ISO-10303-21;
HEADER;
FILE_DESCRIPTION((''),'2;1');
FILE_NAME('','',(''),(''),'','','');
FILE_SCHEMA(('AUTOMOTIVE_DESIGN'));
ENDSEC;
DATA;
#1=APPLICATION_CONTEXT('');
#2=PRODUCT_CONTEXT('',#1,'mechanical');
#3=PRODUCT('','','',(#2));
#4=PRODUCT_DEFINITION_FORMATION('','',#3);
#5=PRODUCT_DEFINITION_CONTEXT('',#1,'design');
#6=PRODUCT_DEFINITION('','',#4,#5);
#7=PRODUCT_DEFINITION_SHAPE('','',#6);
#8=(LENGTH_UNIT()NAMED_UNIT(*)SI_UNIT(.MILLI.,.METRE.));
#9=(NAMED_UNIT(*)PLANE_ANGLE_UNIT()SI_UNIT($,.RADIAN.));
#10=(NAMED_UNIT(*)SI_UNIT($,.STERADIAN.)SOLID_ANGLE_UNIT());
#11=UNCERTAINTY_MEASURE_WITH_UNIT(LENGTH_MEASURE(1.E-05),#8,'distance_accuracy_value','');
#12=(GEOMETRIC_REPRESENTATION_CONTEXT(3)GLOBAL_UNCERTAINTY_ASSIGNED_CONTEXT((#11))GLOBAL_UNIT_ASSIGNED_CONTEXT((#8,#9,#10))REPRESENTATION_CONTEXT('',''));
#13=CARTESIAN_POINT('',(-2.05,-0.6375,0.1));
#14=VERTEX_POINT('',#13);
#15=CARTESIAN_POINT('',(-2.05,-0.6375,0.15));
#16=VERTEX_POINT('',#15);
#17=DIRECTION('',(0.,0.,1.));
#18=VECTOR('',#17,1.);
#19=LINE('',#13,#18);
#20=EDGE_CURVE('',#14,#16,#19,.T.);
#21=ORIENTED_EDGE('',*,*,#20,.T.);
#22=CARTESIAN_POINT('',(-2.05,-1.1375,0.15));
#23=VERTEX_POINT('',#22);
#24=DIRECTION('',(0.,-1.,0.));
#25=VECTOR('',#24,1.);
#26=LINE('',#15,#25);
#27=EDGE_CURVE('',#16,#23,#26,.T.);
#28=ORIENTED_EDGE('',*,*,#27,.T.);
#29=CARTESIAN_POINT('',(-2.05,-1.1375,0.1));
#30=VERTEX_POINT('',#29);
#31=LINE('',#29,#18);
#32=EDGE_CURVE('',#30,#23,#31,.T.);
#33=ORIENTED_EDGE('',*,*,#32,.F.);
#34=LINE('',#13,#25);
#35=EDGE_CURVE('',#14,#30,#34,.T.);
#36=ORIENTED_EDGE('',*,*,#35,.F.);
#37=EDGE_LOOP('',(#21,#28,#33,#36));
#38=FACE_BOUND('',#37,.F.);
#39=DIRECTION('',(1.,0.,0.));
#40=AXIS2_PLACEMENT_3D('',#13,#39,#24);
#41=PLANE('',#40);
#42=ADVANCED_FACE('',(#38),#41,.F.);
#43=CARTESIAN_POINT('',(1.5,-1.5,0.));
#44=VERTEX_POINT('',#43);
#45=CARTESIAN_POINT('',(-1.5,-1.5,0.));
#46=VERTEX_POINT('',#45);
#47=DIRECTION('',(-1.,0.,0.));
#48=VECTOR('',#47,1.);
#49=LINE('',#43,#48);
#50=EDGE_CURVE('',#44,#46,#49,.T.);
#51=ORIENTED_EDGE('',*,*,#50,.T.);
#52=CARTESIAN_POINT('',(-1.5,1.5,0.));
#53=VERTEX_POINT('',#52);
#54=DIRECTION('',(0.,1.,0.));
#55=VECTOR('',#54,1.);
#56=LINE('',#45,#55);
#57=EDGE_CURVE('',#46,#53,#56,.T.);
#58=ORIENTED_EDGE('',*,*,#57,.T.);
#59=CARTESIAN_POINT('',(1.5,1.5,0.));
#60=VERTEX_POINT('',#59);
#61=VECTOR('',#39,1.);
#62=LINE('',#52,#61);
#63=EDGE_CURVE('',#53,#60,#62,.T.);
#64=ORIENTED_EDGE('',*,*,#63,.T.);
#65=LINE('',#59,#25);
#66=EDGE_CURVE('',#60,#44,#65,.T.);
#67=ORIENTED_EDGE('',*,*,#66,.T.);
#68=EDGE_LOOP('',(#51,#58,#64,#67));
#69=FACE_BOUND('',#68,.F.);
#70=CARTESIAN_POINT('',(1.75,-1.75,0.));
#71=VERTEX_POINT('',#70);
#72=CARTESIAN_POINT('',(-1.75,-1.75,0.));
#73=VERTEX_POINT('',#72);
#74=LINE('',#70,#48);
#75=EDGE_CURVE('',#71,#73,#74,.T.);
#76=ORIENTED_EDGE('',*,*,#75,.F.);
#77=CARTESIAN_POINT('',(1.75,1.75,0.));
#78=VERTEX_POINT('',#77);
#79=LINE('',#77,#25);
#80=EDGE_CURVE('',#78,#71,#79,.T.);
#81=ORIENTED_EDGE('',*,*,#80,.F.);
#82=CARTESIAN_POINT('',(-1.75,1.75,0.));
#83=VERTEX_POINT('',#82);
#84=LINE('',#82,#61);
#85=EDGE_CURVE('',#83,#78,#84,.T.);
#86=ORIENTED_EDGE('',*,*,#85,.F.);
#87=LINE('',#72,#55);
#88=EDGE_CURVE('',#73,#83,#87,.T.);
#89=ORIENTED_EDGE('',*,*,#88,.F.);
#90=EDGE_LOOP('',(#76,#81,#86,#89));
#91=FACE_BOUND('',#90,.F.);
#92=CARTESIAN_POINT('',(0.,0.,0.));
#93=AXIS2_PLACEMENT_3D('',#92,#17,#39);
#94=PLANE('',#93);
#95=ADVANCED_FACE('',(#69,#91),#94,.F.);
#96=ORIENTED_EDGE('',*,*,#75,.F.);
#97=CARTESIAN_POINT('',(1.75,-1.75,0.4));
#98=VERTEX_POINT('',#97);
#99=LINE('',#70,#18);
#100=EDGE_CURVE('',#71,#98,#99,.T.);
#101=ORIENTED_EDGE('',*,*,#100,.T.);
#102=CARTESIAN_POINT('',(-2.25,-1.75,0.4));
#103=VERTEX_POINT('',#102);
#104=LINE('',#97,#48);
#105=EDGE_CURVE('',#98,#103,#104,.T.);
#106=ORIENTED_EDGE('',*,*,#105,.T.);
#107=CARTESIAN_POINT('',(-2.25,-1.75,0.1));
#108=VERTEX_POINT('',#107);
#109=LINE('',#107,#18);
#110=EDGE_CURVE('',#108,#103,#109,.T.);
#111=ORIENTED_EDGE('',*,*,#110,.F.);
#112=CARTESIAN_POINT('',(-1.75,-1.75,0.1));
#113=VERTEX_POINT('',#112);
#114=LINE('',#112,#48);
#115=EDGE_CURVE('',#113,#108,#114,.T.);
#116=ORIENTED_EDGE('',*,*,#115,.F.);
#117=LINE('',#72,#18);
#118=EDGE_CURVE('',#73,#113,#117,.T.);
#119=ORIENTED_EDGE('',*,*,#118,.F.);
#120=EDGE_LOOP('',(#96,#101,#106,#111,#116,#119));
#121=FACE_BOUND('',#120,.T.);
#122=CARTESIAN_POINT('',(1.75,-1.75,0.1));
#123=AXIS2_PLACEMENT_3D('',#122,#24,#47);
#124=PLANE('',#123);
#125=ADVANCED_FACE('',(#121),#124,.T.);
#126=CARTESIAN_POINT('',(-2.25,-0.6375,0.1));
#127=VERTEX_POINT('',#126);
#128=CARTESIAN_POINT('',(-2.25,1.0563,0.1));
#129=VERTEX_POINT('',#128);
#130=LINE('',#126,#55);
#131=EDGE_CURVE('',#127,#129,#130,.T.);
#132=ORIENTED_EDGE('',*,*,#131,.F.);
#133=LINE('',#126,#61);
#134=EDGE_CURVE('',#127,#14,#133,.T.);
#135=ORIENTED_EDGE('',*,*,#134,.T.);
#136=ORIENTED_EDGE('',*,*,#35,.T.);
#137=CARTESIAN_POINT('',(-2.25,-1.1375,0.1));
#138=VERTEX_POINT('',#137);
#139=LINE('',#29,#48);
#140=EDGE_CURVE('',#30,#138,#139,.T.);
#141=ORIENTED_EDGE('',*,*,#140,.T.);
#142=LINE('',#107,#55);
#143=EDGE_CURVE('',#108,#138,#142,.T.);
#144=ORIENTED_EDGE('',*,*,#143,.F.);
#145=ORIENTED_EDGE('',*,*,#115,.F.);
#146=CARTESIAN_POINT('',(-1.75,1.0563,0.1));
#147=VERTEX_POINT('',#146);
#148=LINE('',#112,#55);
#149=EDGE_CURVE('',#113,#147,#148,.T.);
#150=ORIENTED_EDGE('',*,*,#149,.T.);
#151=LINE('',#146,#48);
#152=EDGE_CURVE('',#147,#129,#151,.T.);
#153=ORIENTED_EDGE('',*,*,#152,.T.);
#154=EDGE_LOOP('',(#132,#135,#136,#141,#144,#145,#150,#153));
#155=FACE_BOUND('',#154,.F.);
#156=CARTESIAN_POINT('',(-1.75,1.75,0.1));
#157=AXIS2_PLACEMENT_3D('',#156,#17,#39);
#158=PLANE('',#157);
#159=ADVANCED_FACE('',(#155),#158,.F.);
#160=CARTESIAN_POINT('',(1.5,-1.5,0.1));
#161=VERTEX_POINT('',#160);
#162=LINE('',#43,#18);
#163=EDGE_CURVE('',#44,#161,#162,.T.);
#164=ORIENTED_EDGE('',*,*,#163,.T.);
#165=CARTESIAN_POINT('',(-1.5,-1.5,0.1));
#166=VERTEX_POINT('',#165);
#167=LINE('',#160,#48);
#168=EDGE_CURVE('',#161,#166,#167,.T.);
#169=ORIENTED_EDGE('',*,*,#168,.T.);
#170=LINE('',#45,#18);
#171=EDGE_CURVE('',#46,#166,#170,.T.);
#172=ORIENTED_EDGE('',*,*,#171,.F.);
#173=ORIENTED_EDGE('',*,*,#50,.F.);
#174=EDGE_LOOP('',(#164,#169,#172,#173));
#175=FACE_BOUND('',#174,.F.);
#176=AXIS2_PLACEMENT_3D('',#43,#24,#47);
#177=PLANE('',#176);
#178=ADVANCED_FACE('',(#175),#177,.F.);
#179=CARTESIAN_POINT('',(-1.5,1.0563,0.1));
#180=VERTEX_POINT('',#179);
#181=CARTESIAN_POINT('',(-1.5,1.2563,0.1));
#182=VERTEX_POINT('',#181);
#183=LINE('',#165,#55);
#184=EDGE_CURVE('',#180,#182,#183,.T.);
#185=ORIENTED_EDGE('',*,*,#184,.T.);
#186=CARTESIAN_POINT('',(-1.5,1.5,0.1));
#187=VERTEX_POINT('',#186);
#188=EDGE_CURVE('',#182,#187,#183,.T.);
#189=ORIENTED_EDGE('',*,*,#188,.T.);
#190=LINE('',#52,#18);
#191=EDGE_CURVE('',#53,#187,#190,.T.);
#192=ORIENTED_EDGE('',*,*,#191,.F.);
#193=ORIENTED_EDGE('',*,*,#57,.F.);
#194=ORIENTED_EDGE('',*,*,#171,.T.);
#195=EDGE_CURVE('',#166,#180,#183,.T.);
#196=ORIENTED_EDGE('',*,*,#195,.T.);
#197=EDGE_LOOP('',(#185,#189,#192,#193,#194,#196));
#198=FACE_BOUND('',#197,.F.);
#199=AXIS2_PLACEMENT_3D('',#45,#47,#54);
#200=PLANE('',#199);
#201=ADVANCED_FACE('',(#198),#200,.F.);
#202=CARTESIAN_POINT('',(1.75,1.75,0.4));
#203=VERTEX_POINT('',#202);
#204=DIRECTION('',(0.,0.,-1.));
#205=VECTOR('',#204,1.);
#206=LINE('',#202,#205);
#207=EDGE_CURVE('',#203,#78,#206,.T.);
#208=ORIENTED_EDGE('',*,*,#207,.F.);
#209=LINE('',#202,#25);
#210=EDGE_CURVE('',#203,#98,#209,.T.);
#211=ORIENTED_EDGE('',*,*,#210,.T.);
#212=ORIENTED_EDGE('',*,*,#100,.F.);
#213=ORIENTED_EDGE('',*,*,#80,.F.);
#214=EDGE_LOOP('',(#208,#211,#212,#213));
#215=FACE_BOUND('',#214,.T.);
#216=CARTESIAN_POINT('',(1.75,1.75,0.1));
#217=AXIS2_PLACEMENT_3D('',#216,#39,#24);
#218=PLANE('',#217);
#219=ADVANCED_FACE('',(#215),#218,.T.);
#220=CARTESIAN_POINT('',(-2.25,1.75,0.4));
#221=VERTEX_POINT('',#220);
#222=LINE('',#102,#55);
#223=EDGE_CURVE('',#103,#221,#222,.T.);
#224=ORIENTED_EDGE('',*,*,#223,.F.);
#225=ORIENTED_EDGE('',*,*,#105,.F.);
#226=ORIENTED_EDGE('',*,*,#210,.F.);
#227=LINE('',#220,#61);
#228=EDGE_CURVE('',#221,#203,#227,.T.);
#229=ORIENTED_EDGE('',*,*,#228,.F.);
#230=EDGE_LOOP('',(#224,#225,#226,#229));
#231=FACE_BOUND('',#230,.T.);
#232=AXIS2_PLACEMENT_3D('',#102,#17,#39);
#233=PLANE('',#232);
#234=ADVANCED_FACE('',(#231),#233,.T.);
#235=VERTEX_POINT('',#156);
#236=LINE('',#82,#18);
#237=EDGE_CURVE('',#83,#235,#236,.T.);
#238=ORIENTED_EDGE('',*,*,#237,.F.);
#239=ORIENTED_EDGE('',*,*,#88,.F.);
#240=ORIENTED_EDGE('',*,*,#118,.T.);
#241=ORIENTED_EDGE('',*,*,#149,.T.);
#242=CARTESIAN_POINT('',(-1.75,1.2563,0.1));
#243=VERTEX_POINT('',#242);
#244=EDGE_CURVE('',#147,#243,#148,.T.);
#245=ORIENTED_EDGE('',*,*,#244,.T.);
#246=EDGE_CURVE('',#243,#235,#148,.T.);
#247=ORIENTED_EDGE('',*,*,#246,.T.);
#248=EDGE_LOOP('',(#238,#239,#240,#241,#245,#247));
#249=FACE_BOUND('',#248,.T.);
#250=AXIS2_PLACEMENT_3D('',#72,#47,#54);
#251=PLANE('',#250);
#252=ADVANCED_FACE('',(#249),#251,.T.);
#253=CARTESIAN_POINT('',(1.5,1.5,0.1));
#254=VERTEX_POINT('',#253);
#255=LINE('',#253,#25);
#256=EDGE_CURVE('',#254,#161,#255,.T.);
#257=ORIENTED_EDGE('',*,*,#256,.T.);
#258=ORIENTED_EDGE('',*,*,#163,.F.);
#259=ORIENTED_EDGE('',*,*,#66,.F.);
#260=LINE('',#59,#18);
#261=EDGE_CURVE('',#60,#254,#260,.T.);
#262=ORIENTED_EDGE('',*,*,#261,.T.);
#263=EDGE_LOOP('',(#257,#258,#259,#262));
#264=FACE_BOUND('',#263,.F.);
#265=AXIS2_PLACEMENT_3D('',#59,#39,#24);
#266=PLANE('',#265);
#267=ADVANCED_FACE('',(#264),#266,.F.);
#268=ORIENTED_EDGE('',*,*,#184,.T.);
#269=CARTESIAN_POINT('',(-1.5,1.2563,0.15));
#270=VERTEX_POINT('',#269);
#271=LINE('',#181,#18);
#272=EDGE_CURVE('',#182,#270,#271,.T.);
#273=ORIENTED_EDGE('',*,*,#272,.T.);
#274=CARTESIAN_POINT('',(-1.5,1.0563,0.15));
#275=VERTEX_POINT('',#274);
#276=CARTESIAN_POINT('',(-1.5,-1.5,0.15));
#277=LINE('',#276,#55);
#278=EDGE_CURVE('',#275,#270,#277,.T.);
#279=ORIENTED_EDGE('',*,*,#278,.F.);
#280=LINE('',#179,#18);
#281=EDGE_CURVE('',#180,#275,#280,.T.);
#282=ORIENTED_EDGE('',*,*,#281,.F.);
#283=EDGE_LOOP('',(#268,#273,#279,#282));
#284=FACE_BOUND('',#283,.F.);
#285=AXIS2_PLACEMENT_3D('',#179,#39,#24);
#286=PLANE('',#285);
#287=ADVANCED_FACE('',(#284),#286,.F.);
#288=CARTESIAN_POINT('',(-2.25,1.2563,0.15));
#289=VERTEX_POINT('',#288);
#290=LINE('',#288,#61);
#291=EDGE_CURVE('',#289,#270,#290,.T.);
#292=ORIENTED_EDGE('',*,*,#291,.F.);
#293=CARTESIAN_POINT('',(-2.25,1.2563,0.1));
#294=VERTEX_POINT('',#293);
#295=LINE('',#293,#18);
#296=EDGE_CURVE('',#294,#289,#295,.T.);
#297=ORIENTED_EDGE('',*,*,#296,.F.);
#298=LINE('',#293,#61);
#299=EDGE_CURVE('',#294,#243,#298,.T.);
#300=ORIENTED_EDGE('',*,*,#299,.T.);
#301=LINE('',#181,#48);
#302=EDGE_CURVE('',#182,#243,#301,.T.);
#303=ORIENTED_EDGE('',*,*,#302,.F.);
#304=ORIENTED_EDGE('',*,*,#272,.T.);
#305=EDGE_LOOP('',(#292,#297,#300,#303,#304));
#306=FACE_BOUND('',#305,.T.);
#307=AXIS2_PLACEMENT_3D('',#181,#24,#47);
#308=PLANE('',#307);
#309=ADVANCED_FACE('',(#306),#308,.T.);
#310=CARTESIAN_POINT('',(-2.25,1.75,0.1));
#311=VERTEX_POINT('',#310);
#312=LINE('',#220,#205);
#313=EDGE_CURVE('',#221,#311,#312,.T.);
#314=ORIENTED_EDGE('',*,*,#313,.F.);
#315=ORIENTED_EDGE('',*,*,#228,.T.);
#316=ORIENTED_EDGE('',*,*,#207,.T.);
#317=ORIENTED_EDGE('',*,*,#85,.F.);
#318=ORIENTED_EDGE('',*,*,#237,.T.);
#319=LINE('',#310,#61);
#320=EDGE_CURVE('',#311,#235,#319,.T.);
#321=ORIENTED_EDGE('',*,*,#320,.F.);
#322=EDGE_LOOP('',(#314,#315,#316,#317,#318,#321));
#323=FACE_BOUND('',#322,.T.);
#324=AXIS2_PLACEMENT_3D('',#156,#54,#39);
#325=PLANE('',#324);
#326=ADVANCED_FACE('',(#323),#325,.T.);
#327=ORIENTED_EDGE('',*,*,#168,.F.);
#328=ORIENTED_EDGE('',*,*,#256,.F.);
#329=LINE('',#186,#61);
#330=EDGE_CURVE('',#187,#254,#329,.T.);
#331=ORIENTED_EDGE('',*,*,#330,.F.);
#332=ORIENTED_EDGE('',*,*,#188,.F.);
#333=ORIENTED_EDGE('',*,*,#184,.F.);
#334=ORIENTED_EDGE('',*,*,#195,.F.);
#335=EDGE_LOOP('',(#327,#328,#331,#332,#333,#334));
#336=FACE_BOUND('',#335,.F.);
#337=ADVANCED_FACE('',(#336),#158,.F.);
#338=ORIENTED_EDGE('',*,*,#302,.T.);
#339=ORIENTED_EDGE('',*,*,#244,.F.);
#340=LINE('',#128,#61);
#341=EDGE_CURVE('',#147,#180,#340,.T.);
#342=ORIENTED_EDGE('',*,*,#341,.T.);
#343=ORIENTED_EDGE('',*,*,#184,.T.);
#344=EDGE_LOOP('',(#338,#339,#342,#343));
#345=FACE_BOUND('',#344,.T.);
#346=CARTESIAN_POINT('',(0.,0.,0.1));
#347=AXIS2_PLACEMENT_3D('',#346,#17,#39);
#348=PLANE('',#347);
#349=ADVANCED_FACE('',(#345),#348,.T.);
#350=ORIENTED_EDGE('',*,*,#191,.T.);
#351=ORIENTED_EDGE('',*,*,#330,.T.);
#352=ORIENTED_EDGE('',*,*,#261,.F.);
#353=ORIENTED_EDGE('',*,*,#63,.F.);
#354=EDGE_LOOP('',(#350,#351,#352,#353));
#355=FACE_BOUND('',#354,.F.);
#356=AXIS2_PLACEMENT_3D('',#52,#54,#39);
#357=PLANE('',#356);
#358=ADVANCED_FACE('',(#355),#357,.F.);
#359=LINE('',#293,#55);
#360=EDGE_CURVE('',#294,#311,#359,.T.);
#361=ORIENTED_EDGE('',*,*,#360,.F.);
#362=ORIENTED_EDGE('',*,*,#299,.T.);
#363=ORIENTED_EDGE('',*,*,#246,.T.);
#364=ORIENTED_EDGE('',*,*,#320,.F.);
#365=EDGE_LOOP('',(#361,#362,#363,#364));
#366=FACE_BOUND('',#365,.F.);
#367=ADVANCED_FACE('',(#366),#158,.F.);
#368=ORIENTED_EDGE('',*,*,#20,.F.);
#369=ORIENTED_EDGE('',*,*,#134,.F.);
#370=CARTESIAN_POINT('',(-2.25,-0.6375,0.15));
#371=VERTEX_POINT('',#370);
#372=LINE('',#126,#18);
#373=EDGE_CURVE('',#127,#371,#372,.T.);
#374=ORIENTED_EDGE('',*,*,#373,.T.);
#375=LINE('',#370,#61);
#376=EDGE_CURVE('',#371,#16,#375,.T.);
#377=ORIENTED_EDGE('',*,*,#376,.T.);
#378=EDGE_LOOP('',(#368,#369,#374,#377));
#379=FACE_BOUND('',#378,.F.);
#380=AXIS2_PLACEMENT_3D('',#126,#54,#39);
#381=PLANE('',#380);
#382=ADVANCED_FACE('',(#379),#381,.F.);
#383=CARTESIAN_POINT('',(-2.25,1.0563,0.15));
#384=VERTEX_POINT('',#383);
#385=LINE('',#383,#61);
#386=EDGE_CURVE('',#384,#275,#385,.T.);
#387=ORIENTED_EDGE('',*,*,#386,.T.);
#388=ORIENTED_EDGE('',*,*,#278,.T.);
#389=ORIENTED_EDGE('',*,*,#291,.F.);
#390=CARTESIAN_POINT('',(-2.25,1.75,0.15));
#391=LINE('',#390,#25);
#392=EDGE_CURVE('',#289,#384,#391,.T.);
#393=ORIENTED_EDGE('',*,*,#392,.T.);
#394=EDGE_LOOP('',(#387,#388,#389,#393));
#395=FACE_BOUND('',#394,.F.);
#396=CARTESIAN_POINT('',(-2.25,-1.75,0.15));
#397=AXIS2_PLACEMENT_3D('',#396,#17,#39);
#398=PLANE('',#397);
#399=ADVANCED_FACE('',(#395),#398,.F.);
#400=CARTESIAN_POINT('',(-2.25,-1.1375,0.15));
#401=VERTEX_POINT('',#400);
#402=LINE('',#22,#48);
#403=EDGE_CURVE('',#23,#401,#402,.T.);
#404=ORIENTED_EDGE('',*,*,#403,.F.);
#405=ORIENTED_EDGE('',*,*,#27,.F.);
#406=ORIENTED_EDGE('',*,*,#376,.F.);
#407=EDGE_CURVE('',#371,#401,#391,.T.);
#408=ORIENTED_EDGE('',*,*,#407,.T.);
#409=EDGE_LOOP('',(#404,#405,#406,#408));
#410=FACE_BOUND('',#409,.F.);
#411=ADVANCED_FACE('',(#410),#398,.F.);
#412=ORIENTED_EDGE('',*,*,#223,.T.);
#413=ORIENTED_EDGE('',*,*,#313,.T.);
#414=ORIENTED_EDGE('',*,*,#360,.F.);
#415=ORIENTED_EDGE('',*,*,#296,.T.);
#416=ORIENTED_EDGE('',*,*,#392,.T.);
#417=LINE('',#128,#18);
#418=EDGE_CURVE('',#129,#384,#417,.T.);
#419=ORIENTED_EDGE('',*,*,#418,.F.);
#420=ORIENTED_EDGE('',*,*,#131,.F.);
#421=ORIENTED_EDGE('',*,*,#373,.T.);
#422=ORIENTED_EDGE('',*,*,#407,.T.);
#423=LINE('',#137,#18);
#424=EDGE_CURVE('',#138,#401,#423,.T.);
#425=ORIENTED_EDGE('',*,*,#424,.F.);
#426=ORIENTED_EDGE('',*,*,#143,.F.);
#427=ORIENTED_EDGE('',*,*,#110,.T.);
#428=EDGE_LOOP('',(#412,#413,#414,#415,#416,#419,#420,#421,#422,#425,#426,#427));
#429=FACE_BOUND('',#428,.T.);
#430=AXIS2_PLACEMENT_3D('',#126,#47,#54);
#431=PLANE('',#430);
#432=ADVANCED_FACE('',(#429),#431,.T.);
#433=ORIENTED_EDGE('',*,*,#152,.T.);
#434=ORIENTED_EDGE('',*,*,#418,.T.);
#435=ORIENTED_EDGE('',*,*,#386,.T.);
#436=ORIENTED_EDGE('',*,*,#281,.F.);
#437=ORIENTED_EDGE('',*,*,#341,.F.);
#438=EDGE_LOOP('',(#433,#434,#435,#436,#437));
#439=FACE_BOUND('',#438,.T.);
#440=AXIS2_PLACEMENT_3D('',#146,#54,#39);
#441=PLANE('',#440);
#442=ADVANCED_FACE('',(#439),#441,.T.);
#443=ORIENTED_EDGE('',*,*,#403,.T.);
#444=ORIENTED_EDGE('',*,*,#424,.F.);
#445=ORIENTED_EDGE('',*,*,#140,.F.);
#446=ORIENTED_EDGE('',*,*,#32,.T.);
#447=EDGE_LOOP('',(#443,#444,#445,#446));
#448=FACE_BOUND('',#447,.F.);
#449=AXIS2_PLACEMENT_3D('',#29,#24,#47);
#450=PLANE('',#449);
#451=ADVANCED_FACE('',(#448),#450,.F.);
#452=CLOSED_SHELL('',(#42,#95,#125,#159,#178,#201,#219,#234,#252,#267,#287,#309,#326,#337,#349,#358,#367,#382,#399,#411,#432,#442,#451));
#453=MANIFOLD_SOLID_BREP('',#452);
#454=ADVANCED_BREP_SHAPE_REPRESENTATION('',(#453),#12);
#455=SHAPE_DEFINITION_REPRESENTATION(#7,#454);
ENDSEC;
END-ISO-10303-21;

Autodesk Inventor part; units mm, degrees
sketch "Sketch1" plane through (0, 0, 0) normal (0, 0, 1) x (1, 0, 0)
  line L0 (-1.5, 1.5) -> (1.5, 1.5) projected
  line L1 (1.5, 1.5) -> (1.5, -1.5) projected
  line L2 (1.5, -1.5) -> (-1.5, -1.5) projected
  line L3 (-1.5, -1.5) -> (-1.5, 1.5) projected
  line L4 (-1.75, -1.75) -> (-1.75, 1.75) projected
  line L5 (1.75, -1.75) -> (-1.75, -1.75) projected
  line L6 (1.75, 1.75) -> (1.75, -1.75) projected
  line L7 (-1.75, 1.75) -> (1.75, 1.75) projected
  point P0 (0, 0)
ref_plane "Work Plane1" through (-2.25, -1.75, 0.1) normal (0, 0, 1) x (1, 0, 0)
extrude "Extrusion1" add sketch "Sketch1" along normal up to surface (0.1 mm away)
sketch "Sketch2" plane through (-1.75, 1.75, 0.1) normal (0, 0, 1) x (1, 0, 0)
  line L0 (-0.5, -0.4937) -> (0, -0.4937) projected
  line L1 (0, 0) -> (0, -0.4937) projected
  line L2 (-0.5, 0) -> (0, 0) projected
  line L3 (-0.5, -0.4937) -> (-0.5, 0) projected
  line L4 (-0.5, -2.3875) -> (-0.3, -2.3875) projected
  line L5 (-0.3, -2.3875) -> (-0.3, -2.8875) projected
  line L6 (-0.3, -2.8875) -> (-0.5, -2.8875) projected
  line L7 (-0.5, -3.5) -> (-0.5, -2.8875) projected
  line L8 (0, -3.5) -> (-0.5, -3.5) projected
  line L9 (0, -0.6937) -> (0, -3.5) projected
  line L10 (0, -0.6937) -> (-0.5, -0.6937) projected
  line L11 (-0.5, -2.3875) -> (-0.5, -0.6937) projected
  line L12 (0.25, -0.25) -> (0.25, -0.4937) projected
  line L13 (0.25, -0.4937) -> (0.25, -0.6937) projected
  line L14 (0.25, -0.6937) -> (0.25, -3.25) projected
  line L15 (0.25, -3.25) -> (3.25, -3.25) projected
  line L16 (3.25, -3.25) -> (3.25, -0.25) projected
  line L17 (3.25, -0.25) -> (0.25, -0.25) projected
  point P0 (1.75, -1.75)
ref_plane "Work Plane2" through (-2.25, 1.0563, 0.15) normal (0, 0, 1) x (1, 0, 0)
extrude "Extrusion2" add sketch "Sketch2" along normal up to surface (0.05 mm away)
sketch "Sketch3" plane through (1.75, -1.75, 0.1) normal (0, 0, 1) x (1, 0, 0)
  line L0 (-4, 2.8063) -> (-4, 3.0063) projected
  line L1 (-4, 2.8063) -> (-3.25, 2.8063) projected
  line L2 (-3.25, 2.8063) -> (-3.25, 3.0063) projected
  line L3 (-3.25, 3.0063) -> (-4, 3.0063) projected
  line L4 (-0.25, 0.25) -> (-0.25, 3.25) projected
  line L5 (-3.25, 0.25) -> (-0.25, 0.25) projected
  line L6 (-3.25, 3.25) -> (-3.25, 0.25) projected
  line L7 (-0.25, 3.25) -> (-3.25, 3.25) projected
  line L8 (-3.5, 3.5) -> (0, 3.5) projected
  line L9 (-3.5, 3.0063) -> (-3.5, 3.5) projected
  line L10 (-3.5, 2.8063) -> (-3.5, 3.0063) projected
  line L11 (-3.5, 0) -> (-3.5, 2.8063) projected
  line L12 (0, 0) -> (-3.5, 0) projected
  line L13 (0, 3.5) -> (0, 0) projected
  line L14 (-3.5, 3.0063) -> (-3.25, 3.0063)
  line L15 (-3.5, 2.8063) -> (-3.25, 2.8063)
  point P0 (-1.75, 1.75)
extrude "Extrusion3" add sketch "Sketch3" along normal up to surface (0.05 mm away) contours L1 L6 L5 L4 L7 L3 L9 L8 L13 L12 L11
sketch "Sketch4" plane through (-2.25, -1.75, 0.15) normal (0, 0, 1) x (1, 0, 0)
  line L0 (0, 1.1125) -> (0, 2.8063) projected
  line L1 (0.2, 1.1125) -> (0, 1.1125) projected
  line L2 (0.2, 0.6125) -> (0.2, 1.1125) projected
  line L3 (0, 0.6125) -> (0.2, 0.6125) projected
  line L4 (0, 0) -> (0, 0.6125) projected
  line L5 (4, 0) -> (0, 0) projected
  line L6 (4, 3.5) -> (4, 0) projected
  line L7 (0, 3.5) -> (4, 3.5) projected
  line L8 (0, 3.0063) -> (0, 3.5) projected
  line L9 (0.75, 3.0063) -> (0, 3.0063) projected
  line L10 (0.75, 2.8063) -> (0.75, 3.0063) projected
  line L11 (0, 2.8063) -> (0.75, 2.8063) projected
  line L12 (0, 2.8063) -> (0, 3.0063) projected
  line L13 (0, 2.8063) -> (0.75, 2.8063) projected
  line L14 (0.75, 2.8063) -> (0.75, 3.0063) projected
  line L15 (0.75, 3.0063) -> (0, 3.0063) projected
  line L16 (0, 0.6125) -> (0, 1.1125) projected
  line L17 (0, 0.6125) -> (0.2, 0.6125) projected
  line L18 (0.2, 0.6125) -> (0.2, 1.1125) projected
  line L19 (0.2, 1.1125) -> (0, 1.1125) projected
  point P0 (2.25, 1.75)
ref_plane "Work Plane3" through (-2.425, -1.925, 0.4) normal (0, 0, 1) x (1, 0, 0)
extrude "Extrusion4" add sketch "Sketch4" along normal up to surface (0.25 mm away)
properties part number "lens" material "Glass"
